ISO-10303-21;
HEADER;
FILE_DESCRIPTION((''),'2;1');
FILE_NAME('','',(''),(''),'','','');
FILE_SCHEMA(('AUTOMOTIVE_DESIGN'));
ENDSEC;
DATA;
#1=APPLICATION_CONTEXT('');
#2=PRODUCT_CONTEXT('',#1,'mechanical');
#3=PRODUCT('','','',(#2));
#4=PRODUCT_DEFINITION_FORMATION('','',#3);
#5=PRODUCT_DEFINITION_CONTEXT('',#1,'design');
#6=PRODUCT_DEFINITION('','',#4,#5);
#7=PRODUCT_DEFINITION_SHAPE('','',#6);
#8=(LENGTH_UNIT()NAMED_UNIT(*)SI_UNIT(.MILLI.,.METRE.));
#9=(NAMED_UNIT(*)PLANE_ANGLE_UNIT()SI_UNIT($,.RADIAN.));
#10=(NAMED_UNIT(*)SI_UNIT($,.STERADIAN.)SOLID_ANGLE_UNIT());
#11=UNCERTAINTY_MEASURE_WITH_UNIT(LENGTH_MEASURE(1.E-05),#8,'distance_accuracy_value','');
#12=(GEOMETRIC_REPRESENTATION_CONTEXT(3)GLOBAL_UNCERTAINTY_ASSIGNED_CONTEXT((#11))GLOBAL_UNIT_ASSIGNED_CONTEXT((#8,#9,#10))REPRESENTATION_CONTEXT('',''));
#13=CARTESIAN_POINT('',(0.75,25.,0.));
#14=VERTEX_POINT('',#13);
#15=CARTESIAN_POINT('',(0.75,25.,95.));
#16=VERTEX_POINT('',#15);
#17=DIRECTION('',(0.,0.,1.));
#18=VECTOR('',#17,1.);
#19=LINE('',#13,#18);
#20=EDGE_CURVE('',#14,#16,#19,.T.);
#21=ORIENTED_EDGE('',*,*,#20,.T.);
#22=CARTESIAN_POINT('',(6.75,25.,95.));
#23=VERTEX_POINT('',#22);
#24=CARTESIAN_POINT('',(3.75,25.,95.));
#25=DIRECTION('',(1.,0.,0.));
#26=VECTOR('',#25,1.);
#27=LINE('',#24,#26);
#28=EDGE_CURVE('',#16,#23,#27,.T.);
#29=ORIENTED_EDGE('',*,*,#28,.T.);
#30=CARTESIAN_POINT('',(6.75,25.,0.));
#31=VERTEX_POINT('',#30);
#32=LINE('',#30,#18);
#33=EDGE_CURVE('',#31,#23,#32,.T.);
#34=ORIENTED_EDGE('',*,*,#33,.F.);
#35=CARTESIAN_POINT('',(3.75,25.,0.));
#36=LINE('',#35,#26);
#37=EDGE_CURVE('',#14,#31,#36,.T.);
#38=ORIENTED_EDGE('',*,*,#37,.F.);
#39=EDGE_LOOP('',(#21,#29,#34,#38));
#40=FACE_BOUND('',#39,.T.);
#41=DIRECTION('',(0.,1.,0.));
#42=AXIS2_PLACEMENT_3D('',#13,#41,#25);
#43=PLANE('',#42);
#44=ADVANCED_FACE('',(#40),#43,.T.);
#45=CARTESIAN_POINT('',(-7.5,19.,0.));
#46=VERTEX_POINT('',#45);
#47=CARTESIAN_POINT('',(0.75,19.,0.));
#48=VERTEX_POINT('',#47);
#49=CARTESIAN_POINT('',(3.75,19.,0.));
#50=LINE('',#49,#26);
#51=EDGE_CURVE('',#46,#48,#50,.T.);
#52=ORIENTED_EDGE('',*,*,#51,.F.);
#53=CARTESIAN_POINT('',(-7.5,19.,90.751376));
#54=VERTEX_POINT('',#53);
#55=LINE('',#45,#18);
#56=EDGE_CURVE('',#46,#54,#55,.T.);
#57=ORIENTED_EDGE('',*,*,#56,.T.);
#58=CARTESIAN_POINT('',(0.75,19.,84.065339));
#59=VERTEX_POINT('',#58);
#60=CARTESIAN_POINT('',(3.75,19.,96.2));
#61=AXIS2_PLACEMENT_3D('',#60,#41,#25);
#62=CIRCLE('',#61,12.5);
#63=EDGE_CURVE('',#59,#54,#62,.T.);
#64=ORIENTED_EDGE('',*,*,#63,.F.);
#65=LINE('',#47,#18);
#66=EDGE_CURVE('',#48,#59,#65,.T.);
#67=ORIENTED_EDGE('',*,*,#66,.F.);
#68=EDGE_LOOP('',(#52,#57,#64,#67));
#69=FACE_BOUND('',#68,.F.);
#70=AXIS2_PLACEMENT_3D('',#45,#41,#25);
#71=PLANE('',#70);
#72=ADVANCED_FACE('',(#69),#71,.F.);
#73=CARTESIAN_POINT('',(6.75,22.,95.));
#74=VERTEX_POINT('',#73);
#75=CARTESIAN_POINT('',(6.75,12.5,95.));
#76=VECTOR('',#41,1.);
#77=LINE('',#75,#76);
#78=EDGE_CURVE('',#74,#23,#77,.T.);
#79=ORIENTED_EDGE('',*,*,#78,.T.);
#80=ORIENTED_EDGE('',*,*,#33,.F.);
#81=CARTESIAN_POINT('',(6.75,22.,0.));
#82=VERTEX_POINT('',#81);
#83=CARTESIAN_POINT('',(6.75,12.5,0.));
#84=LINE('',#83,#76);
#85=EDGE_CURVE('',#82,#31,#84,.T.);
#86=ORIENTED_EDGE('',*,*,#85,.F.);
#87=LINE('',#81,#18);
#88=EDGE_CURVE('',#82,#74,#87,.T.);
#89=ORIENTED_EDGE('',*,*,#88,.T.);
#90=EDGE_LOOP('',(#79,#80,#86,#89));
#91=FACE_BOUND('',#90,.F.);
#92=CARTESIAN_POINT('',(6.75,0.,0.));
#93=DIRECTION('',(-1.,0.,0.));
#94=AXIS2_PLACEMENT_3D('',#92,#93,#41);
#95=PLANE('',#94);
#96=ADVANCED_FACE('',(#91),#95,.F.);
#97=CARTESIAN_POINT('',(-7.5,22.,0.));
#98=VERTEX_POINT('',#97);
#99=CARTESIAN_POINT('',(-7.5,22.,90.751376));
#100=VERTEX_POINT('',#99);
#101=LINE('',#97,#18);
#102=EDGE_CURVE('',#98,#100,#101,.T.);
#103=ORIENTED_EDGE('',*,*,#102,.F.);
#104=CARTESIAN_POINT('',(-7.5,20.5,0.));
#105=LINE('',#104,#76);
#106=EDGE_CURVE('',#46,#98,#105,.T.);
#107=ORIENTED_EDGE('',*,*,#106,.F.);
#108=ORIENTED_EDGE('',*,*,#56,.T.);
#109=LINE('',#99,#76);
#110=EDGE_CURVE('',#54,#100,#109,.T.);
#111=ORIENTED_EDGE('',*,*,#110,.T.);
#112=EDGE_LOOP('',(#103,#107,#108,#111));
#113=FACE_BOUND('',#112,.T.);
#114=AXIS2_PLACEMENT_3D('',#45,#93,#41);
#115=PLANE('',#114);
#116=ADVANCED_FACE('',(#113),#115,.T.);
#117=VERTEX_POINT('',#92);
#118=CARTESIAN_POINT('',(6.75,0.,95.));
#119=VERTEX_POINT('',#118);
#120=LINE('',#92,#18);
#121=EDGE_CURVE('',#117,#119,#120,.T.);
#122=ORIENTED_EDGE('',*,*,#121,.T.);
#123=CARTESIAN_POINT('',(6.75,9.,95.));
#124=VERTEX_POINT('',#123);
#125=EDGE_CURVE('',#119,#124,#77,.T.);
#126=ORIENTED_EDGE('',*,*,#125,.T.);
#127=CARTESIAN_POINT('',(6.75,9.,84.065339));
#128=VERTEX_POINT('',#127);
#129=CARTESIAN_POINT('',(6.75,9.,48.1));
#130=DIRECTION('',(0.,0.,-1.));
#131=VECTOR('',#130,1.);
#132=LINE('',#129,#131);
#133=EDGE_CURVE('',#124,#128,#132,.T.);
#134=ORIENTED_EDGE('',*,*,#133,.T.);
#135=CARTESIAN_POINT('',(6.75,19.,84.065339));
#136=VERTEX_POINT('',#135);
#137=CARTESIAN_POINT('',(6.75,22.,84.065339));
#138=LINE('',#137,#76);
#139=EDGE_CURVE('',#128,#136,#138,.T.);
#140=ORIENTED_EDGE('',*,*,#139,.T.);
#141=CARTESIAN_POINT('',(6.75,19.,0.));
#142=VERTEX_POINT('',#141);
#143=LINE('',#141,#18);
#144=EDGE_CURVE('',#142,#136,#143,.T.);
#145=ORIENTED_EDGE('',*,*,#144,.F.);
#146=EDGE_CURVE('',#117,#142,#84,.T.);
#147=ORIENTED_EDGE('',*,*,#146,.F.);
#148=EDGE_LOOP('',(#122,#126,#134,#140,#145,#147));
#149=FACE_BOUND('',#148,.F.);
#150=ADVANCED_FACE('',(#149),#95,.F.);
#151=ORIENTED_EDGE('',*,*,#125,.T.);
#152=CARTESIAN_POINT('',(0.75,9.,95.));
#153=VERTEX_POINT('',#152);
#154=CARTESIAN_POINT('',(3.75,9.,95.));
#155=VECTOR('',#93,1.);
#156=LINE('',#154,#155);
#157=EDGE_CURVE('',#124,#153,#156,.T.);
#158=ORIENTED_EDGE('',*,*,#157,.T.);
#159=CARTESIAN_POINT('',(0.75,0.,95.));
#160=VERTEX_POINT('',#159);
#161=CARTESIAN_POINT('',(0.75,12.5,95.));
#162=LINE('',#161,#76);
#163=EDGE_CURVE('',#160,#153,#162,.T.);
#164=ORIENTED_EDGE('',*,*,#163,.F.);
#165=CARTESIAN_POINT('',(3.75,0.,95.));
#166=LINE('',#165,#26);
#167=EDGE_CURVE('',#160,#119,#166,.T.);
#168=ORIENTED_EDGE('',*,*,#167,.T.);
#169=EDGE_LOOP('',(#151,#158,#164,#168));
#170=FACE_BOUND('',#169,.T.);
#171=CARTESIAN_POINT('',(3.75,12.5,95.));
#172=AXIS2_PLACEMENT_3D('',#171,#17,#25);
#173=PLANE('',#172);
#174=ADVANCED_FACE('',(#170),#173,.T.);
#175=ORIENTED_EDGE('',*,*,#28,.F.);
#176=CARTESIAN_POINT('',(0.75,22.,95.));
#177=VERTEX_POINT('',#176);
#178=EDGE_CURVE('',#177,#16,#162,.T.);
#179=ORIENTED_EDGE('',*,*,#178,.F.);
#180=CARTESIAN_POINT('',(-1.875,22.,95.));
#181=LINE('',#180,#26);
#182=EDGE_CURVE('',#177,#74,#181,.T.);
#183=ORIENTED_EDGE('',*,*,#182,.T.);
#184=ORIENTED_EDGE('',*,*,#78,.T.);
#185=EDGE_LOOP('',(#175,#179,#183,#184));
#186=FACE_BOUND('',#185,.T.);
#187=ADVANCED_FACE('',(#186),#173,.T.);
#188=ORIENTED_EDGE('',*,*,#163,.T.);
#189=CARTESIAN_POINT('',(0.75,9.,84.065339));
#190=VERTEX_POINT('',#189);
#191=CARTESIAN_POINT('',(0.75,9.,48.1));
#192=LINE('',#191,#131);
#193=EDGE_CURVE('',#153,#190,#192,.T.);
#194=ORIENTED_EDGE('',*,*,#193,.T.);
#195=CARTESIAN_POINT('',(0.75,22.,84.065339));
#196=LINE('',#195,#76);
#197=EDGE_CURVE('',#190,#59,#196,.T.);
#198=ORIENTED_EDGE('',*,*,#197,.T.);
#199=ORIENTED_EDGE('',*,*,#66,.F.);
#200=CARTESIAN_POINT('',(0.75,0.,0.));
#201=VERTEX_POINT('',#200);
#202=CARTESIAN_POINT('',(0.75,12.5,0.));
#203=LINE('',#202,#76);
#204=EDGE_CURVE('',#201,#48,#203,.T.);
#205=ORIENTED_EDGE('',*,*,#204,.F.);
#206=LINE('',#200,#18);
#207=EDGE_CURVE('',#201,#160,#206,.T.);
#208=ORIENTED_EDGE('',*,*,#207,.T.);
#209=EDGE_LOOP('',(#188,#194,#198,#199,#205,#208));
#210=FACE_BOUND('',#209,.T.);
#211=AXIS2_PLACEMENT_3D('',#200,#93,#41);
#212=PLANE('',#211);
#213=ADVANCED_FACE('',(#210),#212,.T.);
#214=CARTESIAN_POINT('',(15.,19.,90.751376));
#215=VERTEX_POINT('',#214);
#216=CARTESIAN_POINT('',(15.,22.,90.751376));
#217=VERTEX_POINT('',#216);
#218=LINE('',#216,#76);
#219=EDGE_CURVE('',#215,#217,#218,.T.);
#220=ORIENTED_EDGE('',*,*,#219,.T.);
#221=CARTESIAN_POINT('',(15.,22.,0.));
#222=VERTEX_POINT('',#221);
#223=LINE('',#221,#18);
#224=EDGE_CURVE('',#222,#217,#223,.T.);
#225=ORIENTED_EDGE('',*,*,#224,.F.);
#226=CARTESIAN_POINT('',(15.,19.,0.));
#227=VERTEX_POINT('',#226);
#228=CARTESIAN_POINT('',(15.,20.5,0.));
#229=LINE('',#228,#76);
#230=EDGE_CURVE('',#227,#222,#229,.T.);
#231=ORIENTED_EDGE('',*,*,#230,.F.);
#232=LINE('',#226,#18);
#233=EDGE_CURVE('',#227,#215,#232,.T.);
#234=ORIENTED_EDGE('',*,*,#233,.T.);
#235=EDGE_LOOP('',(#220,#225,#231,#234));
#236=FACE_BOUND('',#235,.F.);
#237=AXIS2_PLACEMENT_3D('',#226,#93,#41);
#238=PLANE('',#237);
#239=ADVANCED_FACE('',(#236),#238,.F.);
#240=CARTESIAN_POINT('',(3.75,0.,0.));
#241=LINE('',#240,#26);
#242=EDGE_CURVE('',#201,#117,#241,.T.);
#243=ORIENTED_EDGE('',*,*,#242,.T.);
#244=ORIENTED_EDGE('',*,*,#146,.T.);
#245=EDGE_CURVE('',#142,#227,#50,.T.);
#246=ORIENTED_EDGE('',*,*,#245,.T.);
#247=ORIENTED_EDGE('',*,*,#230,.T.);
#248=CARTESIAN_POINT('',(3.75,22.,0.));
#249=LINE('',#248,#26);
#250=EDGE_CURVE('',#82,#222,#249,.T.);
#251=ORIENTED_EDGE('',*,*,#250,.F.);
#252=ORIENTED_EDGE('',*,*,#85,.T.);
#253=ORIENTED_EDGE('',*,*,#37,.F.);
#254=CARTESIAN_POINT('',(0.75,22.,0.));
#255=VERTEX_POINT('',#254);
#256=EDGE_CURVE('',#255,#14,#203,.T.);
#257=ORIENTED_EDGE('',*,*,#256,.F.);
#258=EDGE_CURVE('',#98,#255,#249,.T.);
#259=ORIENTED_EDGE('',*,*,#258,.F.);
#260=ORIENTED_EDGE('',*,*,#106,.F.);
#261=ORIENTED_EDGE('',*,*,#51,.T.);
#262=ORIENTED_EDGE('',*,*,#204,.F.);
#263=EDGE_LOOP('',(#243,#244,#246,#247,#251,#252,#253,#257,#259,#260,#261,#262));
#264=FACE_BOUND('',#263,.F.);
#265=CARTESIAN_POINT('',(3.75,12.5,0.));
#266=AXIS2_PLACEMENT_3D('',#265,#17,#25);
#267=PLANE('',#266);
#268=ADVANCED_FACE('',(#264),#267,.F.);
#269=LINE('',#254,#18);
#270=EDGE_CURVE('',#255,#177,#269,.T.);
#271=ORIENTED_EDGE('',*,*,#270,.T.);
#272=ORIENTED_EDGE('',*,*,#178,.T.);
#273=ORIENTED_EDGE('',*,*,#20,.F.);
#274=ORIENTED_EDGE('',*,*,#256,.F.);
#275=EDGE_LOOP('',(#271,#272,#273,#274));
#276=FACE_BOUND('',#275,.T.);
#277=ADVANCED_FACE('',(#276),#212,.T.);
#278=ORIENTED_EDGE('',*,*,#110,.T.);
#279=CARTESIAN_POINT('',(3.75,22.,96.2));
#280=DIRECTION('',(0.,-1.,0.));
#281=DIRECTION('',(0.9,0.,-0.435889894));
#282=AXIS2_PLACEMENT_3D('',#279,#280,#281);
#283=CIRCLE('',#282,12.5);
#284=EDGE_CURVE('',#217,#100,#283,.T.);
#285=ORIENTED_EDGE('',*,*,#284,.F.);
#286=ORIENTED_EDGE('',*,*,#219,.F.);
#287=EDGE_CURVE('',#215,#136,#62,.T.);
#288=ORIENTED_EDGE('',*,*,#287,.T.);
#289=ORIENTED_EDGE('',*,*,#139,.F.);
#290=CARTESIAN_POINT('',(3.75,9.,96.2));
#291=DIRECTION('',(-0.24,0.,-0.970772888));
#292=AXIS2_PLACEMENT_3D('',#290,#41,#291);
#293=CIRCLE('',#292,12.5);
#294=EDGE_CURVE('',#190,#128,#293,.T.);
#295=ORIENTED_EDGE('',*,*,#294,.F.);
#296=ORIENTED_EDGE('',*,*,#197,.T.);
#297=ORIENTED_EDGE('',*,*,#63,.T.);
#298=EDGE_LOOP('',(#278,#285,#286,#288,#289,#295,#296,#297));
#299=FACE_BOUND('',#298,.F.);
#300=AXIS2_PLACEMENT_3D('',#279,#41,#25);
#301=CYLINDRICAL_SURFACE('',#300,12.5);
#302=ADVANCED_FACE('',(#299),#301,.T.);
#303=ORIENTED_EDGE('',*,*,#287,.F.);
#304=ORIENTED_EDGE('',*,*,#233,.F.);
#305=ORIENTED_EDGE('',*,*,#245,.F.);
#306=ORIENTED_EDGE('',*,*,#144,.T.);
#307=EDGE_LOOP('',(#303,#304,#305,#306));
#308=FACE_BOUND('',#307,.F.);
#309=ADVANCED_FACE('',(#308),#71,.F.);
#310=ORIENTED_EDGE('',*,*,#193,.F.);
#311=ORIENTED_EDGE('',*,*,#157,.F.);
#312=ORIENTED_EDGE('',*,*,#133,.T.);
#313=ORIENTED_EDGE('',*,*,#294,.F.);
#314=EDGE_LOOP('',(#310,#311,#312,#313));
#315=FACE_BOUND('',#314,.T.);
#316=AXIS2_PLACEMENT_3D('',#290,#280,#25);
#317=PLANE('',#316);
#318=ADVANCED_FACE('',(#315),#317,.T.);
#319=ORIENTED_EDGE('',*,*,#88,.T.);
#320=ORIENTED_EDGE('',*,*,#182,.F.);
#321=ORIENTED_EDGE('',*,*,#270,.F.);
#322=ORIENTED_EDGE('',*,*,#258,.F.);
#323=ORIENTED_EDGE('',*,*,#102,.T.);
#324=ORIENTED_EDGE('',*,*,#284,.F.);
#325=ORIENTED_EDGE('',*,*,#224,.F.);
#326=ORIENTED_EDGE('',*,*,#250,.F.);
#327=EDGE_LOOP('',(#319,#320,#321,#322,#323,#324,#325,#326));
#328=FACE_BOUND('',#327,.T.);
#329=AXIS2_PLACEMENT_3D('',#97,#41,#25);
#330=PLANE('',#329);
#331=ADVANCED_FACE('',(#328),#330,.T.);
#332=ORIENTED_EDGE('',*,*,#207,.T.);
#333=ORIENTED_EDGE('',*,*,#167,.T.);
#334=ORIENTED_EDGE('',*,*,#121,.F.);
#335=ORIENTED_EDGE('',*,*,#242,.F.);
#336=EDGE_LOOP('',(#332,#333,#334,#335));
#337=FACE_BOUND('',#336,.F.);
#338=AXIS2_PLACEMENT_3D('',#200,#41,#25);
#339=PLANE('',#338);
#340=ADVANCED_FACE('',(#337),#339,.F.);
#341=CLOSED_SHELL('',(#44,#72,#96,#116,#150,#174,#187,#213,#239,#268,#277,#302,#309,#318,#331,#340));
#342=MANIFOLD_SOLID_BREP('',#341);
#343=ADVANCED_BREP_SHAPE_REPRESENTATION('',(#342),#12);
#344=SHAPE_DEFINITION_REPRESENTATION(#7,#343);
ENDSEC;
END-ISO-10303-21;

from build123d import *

# Parameters (mm, degrees)
BOX008_W               = 22.5
BOX008_H               = 3
BOX008_DEPTH           = 95
BOX009_W               = 6
BOX009_H               = 25
BOX009_DEPTH           = 95
CYLINDER012_R          = 12.5
CYLINDER012_DEPTH      = 13
CYLINDER012_ROLL_ANGLE = 90


with BuildPart() as cube008:
    # Box008 → Box008 (new body)
    with BuildSketch(Plane(origin=(-7.5, 19, 0), x_dir=(1, 0, 0), z_dir=(0, 0, 1))):
        with Locations((11.25, 1.5)):
            Rectangle(BOX008_W, BOX008_H)
    extrude(amount=BOX008_DEPTH)


with BuildPart() as cube009:
    # Box009 → Box009 (new body)
    with BuildSketch(Plane(origin=(0.75, 0, 0), x_dir=(1, 0, 0), z_dir=(0, 0, 1))):
        with Locations((3, 12.5)):
            Rectangle(BOX009_W, BOX009_H)
    extrude(amount=BOX009_DEPTH)


with BuildPart() as art1motorholemaster:
    # Cylinder012 → Cylinder012 (new body)
    with BuildSketch(Plane.XY):
        Circle(CYLINDER012_R)
    extrude(amount=CYLINDER012_DEPTH)


with BuildPart() as art1motorholemaster_1:
    # Cylinder012 roll: moved
    add(art1motorholemaster.part.rotate(Axis((0, 0, 0), (1, 0, 0)), CYLINDER012_ROLL_ANGLE))


with BuildPart() as art1motorholemaster_2:
    # Cylinder012 placement: moved
    add(art1motorholemaster_1.part.moved(Location((3.75, 22, 96.2))))

    # Fusion017: union Cube008, Cube009
    add(cube008.part)
    add(cube009.part)


solid = art1motorholemaster_2.part
